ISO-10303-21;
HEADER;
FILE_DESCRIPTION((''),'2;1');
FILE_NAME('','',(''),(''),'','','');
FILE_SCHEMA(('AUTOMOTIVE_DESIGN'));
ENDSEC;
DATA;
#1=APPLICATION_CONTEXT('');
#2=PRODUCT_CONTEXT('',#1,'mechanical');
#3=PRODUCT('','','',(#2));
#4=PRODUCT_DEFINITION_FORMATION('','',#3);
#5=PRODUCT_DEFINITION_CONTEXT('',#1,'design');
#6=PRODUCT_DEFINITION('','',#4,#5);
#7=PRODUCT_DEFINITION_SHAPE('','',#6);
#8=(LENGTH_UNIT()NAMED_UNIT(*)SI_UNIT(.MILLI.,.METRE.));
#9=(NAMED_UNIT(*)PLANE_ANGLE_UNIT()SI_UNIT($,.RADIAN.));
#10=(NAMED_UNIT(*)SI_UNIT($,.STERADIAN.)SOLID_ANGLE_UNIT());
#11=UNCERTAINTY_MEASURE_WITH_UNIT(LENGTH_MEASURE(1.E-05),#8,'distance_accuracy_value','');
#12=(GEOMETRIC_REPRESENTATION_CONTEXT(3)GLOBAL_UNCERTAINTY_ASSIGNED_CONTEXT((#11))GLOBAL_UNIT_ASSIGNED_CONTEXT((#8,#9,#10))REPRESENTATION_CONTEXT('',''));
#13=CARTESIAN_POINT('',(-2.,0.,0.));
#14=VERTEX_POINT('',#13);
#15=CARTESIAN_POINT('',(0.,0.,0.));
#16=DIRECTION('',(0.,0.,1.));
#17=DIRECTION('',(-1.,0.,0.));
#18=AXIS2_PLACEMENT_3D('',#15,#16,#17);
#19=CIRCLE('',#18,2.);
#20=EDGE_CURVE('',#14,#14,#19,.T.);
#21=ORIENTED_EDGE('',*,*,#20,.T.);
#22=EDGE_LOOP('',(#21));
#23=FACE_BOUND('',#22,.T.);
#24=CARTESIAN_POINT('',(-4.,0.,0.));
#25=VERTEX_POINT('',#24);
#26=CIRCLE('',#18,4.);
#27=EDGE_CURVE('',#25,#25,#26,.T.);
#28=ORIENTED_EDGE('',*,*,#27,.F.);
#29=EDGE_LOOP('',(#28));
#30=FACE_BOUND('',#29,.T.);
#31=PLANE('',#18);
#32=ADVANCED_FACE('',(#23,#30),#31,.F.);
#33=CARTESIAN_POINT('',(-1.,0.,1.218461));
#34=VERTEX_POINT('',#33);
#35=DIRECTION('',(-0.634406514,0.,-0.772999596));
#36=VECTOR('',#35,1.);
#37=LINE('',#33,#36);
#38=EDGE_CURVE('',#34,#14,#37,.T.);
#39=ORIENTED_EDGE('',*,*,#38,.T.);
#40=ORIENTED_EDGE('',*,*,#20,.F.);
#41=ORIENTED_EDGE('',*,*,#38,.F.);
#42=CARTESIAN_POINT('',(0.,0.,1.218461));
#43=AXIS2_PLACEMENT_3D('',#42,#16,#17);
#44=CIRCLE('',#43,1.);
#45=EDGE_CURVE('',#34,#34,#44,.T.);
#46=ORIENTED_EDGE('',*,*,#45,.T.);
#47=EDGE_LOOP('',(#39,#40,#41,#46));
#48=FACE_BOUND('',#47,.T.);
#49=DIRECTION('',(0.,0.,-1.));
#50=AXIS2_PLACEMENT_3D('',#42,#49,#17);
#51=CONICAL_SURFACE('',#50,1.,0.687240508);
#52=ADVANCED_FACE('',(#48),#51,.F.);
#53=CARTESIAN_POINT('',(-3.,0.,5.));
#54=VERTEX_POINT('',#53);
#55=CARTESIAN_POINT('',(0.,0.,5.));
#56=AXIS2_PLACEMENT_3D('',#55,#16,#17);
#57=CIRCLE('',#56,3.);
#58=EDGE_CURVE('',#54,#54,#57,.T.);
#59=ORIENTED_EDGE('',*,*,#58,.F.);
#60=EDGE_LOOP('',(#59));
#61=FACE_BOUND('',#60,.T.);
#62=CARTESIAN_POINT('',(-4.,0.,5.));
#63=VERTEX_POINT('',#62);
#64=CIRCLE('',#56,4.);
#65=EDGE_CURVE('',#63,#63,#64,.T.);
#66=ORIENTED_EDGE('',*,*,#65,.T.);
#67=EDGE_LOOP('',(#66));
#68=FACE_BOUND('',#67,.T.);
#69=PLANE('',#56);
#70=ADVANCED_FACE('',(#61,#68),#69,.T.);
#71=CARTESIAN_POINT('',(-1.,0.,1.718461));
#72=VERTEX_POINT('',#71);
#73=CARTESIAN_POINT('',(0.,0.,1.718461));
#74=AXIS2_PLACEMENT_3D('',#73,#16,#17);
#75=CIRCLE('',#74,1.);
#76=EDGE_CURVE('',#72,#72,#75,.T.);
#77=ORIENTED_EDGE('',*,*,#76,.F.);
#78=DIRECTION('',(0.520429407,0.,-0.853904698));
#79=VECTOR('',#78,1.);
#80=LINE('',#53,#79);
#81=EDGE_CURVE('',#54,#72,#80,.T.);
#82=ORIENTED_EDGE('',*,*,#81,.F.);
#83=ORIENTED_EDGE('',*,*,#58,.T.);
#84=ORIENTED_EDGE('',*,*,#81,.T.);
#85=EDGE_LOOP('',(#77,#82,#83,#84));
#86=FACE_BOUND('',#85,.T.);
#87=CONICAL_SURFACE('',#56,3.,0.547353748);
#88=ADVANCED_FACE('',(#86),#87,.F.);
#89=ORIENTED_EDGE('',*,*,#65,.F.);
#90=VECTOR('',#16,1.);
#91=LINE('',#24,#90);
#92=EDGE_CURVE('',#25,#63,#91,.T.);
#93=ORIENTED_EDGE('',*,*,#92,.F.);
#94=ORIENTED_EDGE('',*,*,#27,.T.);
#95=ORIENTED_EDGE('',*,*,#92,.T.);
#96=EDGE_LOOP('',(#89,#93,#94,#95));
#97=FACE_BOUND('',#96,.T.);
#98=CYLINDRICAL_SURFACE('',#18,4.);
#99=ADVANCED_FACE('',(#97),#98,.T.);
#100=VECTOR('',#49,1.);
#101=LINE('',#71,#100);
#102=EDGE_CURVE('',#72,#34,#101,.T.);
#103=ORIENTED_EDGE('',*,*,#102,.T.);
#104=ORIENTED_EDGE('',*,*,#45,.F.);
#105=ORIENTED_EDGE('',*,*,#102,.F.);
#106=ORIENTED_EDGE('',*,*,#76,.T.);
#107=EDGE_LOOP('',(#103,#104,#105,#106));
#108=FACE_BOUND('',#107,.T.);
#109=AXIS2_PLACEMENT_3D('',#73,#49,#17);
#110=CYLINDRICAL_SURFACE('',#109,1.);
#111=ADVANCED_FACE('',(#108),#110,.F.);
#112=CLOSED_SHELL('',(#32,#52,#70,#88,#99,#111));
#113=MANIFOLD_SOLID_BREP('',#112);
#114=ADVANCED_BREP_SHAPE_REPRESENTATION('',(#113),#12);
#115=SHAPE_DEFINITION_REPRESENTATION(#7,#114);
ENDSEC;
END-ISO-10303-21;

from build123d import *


with BuildPart() as part:
    # Sketch2_bp → Revolution2 (revolve)
    with BuildSketch(Plane(origin=(0, 0, 0), x_dir=(-1, 0, 0), z_dir=(0, 1, 0))):
        Polygon((4, 0), (4, 5), (3, 5), (1, 1.718461), (1, 1.218461), (2, 0), align=None)
    revolve(axis=Axis((0, 0, -0.993601), (0, 0, 1)))


solid = part.part
